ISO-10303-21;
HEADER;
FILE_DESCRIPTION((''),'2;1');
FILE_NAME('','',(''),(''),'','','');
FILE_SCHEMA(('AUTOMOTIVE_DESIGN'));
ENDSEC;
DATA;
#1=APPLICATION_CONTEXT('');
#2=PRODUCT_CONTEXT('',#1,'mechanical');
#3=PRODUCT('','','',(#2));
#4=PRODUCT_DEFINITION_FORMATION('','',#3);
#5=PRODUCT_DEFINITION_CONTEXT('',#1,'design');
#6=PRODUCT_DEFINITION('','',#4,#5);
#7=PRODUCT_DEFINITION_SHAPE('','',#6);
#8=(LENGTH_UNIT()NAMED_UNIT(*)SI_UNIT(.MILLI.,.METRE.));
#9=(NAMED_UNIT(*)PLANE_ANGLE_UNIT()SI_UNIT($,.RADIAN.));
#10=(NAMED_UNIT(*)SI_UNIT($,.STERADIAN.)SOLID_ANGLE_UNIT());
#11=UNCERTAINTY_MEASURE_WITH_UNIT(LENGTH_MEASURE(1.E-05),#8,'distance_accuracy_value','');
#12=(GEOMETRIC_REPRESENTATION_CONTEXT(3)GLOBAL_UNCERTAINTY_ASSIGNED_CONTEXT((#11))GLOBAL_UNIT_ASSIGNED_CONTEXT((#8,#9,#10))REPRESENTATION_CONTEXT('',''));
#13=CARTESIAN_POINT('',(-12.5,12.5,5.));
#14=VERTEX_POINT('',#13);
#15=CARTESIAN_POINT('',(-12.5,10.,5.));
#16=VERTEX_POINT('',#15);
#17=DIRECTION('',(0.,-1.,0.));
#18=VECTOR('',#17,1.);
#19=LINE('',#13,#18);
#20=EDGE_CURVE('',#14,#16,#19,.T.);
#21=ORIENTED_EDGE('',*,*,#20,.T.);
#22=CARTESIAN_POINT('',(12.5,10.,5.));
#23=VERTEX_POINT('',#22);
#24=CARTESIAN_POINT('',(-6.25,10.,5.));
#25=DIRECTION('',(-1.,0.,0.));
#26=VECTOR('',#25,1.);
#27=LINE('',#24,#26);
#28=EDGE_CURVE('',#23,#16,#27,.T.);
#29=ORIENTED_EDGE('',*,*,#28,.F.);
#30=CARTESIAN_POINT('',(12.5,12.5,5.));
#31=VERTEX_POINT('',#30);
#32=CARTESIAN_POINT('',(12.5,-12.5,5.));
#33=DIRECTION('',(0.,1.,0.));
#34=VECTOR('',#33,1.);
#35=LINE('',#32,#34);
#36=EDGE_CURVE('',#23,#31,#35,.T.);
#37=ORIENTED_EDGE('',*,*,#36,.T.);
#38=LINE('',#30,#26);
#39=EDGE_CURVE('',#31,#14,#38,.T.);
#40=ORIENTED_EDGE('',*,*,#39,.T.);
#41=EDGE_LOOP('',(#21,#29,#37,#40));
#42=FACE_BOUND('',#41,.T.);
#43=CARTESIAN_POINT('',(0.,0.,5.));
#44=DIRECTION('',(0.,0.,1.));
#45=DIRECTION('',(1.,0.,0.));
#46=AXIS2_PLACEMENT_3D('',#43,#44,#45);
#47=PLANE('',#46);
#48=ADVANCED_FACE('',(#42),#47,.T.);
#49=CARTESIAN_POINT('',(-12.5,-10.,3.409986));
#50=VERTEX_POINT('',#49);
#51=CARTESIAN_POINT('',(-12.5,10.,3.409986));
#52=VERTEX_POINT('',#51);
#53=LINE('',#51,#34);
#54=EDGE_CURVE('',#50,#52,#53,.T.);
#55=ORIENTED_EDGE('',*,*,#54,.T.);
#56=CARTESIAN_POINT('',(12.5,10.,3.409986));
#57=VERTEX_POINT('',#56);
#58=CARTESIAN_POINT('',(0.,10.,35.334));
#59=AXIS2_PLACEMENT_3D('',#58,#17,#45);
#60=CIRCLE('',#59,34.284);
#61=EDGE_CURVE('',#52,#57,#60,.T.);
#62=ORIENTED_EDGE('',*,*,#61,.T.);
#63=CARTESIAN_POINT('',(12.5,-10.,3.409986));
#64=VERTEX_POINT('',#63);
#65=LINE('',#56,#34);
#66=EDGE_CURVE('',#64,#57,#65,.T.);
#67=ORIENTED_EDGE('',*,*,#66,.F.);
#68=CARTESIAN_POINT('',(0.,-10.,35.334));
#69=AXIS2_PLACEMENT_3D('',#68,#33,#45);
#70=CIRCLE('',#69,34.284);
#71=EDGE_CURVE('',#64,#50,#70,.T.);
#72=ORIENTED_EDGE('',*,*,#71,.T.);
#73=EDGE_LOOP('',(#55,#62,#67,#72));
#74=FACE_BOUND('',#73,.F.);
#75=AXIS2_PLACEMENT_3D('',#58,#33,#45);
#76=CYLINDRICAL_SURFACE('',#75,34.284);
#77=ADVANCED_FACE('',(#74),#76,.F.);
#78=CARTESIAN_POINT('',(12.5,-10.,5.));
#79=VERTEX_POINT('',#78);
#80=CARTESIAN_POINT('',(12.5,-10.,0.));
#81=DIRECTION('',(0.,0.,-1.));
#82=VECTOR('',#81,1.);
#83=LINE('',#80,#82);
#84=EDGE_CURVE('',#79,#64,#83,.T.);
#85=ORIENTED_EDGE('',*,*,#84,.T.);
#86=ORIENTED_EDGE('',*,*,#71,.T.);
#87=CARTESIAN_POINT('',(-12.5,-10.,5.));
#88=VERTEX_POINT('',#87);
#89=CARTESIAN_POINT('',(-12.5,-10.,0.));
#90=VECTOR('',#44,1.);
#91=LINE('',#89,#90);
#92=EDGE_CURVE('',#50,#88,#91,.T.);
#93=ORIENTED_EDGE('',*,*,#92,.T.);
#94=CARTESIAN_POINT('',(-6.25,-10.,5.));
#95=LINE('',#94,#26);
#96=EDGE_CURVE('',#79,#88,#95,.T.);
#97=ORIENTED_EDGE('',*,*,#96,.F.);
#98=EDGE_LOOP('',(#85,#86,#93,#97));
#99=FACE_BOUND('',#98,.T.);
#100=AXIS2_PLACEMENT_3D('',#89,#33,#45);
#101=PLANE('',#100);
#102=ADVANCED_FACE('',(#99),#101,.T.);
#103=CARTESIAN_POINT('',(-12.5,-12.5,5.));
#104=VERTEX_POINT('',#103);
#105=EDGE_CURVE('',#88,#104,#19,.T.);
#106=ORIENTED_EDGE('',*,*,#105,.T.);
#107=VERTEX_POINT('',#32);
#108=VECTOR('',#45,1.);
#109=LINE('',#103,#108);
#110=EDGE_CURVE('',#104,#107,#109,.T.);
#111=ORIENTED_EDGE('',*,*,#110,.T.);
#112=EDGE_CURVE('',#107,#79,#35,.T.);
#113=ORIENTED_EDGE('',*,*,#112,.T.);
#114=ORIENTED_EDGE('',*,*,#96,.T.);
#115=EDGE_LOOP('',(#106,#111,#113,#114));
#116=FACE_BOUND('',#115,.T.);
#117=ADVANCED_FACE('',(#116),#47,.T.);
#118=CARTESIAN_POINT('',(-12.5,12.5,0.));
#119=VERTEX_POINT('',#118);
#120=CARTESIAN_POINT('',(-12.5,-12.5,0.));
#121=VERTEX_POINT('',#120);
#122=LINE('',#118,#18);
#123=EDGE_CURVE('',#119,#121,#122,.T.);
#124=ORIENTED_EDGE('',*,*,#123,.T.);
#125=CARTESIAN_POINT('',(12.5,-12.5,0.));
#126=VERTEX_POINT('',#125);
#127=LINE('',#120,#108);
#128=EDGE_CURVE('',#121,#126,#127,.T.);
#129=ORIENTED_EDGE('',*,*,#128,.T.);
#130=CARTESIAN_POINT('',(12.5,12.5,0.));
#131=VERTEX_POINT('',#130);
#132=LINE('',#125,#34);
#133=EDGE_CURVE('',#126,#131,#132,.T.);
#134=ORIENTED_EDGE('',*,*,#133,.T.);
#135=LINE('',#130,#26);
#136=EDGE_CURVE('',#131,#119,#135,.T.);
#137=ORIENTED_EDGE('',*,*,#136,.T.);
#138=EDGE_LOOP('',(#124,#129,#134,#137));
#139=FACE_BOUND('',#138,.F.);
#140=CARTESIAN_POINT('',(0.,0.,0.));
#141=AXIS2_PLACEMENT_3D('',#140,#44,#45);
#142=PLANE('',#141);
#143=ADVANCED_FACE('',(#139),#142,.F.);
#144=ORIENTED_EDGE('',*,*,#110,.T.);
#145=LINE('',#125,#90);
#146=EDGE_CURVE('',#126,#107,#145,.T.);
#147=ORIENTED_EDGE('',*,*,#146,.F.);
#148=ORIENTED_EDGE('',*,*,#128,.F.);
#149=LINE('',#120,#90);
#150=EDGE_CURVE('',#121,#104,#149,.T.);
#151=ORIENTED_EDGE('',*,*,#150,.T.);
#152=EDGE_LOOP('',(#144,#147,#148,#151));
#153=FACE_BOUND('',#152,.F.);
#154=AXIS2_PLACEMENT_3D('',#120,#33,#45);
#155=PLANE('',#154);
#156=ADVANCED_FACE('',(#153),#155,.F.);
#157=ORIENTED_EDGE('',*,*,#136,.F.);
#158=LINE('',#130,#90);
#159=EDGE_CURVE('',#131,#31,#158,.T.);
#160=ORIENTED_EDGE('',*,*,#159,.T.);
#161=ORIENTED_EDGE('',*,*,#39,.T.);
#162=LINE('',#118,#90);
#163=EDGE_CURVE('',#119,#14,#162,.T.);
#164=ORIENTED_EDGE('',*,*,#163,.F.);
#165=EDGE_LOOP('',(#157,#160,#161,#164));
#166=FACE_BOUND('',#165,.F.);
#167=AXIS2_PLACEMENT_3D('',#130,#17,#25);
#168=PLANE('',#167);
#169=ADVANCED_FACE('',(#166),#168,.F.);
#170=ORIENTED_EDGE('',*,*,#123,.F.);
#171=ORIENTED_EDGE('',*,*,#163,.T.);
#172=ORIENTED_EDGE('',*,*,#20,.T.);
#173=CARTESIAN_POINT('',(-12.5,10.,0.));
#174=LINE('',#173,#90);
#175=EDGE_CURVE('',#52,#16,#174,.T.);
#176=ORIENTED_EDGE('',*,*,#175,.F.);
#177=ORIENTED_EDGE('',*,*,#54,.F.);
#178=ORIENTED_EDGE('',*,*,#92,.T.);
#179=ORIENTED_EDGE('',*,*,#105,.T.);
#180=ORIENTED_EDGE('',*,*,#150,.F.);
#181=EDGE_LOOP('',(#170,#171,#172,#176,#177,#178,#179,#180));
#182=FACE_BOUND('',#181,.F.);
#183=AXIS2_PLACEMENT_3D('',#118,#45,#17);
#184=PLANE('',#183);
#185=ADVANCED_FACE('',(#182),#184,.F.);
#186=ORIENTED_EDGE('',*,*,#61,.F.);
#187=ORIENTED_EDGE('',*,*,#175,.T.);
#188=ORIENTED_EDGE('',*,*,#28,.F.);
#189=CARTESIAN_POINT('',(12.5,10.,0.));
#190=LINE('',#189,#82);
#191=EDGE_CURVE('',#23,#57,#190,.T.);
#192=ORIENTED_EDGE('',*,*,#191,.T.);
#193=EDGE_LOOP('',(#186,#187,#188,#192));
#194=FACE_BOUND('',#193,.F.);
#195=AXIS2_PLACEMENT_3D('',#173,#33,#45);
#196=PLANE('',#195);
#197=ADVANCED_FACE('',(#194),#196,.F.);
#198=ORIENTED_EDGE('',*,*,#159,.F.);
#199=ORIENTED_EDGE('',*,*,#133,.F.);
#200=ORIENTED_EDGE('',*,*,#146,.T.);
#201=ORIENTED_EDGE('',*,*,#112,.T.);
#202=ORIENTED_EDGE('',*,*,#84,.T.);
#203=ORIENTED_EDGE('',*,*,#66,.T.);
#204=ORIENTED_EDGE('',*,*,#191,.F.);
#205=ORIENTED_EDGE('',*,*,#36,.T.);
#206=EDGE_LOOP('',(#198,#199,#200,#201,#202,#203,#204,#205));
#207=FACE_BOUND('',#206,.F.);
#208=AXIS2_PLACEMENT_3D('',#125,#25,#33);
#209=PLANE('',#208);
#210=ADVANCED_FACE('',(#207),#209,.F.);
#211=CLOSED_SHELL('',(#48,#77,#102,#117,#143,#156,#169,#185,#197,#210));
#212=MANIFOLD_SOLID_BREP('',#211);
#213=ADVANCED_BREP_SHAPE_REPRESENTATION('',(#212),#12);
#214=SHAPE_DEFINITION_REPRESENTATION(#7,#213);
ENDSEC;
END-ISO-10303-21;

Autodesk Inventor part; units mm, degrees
ref_plane "YZ Plane" through (0, 0, 0) normal (1, 0, 0) x (0, 1, 0)
ref_plane "XZ Plane" through (0, 0, 0) normal (0, 1, 0) x (-1, 0, 0)
sketch "Sketch1" plane through (0, 0, 0) normal (0, 0, 1) x (1, 0, 0)
  line L0 (-17.5, 0) -> (17.5, 0) construction
  line L1 (0, -17.5) -> (0, 17.5) construction
  line L2 (-12.5, -12.5) -> (12.5, -12.5)
  line L3 (12.5, -12.5) -> (12.5, 12.5)
  line L4 (12.5, 12.5) -> (-12.5, 12.5)
  line L5 (-12.5, 12.5) -> (-12.5, -12.5)
  line L6 (-12.5, -12.5) -> (12.5, 12.5) construction
  line L7 (12.5, -12.5) -> (-12.5, 12.5) construction
  point P0 (0, 0)
  dimension "d0" = 25
  dimension "d1" = 25
extrude "Extrusion1" add sketch "Sketch1" along normal blind 5
ref_plane "Work Plane1" through (-12.5, 10, 0) normal (0, 1, 0) x (1, 0, 0)
sketch "Sketch2" plane through (-12.5, 10, 0) normal (0, 1, 0) x (1, 0, 0)
  line L0 (25, 0) -> (0, 0) construction
  line L1 (0, 0) -> (0, -5) construction
  line L2 (25, -5) -> (0, -5) construction
  line L3 (25, 0) -> (25, -5) construction
  line L4 (12.5, 0) -> (12.5, -5) construction
  circle A0 centre (12.5, -35.334) radius 34.284
  line L5 (-3.4763, -5) -> (28.4763, -5)
  dimension "d5" = 68.568
  dimension "d6" = 30.334
extrude "Extrusion2" cut sketch "Sketch2" against normal blind 20
properties part number "00_cylindrical_lens_mould"
